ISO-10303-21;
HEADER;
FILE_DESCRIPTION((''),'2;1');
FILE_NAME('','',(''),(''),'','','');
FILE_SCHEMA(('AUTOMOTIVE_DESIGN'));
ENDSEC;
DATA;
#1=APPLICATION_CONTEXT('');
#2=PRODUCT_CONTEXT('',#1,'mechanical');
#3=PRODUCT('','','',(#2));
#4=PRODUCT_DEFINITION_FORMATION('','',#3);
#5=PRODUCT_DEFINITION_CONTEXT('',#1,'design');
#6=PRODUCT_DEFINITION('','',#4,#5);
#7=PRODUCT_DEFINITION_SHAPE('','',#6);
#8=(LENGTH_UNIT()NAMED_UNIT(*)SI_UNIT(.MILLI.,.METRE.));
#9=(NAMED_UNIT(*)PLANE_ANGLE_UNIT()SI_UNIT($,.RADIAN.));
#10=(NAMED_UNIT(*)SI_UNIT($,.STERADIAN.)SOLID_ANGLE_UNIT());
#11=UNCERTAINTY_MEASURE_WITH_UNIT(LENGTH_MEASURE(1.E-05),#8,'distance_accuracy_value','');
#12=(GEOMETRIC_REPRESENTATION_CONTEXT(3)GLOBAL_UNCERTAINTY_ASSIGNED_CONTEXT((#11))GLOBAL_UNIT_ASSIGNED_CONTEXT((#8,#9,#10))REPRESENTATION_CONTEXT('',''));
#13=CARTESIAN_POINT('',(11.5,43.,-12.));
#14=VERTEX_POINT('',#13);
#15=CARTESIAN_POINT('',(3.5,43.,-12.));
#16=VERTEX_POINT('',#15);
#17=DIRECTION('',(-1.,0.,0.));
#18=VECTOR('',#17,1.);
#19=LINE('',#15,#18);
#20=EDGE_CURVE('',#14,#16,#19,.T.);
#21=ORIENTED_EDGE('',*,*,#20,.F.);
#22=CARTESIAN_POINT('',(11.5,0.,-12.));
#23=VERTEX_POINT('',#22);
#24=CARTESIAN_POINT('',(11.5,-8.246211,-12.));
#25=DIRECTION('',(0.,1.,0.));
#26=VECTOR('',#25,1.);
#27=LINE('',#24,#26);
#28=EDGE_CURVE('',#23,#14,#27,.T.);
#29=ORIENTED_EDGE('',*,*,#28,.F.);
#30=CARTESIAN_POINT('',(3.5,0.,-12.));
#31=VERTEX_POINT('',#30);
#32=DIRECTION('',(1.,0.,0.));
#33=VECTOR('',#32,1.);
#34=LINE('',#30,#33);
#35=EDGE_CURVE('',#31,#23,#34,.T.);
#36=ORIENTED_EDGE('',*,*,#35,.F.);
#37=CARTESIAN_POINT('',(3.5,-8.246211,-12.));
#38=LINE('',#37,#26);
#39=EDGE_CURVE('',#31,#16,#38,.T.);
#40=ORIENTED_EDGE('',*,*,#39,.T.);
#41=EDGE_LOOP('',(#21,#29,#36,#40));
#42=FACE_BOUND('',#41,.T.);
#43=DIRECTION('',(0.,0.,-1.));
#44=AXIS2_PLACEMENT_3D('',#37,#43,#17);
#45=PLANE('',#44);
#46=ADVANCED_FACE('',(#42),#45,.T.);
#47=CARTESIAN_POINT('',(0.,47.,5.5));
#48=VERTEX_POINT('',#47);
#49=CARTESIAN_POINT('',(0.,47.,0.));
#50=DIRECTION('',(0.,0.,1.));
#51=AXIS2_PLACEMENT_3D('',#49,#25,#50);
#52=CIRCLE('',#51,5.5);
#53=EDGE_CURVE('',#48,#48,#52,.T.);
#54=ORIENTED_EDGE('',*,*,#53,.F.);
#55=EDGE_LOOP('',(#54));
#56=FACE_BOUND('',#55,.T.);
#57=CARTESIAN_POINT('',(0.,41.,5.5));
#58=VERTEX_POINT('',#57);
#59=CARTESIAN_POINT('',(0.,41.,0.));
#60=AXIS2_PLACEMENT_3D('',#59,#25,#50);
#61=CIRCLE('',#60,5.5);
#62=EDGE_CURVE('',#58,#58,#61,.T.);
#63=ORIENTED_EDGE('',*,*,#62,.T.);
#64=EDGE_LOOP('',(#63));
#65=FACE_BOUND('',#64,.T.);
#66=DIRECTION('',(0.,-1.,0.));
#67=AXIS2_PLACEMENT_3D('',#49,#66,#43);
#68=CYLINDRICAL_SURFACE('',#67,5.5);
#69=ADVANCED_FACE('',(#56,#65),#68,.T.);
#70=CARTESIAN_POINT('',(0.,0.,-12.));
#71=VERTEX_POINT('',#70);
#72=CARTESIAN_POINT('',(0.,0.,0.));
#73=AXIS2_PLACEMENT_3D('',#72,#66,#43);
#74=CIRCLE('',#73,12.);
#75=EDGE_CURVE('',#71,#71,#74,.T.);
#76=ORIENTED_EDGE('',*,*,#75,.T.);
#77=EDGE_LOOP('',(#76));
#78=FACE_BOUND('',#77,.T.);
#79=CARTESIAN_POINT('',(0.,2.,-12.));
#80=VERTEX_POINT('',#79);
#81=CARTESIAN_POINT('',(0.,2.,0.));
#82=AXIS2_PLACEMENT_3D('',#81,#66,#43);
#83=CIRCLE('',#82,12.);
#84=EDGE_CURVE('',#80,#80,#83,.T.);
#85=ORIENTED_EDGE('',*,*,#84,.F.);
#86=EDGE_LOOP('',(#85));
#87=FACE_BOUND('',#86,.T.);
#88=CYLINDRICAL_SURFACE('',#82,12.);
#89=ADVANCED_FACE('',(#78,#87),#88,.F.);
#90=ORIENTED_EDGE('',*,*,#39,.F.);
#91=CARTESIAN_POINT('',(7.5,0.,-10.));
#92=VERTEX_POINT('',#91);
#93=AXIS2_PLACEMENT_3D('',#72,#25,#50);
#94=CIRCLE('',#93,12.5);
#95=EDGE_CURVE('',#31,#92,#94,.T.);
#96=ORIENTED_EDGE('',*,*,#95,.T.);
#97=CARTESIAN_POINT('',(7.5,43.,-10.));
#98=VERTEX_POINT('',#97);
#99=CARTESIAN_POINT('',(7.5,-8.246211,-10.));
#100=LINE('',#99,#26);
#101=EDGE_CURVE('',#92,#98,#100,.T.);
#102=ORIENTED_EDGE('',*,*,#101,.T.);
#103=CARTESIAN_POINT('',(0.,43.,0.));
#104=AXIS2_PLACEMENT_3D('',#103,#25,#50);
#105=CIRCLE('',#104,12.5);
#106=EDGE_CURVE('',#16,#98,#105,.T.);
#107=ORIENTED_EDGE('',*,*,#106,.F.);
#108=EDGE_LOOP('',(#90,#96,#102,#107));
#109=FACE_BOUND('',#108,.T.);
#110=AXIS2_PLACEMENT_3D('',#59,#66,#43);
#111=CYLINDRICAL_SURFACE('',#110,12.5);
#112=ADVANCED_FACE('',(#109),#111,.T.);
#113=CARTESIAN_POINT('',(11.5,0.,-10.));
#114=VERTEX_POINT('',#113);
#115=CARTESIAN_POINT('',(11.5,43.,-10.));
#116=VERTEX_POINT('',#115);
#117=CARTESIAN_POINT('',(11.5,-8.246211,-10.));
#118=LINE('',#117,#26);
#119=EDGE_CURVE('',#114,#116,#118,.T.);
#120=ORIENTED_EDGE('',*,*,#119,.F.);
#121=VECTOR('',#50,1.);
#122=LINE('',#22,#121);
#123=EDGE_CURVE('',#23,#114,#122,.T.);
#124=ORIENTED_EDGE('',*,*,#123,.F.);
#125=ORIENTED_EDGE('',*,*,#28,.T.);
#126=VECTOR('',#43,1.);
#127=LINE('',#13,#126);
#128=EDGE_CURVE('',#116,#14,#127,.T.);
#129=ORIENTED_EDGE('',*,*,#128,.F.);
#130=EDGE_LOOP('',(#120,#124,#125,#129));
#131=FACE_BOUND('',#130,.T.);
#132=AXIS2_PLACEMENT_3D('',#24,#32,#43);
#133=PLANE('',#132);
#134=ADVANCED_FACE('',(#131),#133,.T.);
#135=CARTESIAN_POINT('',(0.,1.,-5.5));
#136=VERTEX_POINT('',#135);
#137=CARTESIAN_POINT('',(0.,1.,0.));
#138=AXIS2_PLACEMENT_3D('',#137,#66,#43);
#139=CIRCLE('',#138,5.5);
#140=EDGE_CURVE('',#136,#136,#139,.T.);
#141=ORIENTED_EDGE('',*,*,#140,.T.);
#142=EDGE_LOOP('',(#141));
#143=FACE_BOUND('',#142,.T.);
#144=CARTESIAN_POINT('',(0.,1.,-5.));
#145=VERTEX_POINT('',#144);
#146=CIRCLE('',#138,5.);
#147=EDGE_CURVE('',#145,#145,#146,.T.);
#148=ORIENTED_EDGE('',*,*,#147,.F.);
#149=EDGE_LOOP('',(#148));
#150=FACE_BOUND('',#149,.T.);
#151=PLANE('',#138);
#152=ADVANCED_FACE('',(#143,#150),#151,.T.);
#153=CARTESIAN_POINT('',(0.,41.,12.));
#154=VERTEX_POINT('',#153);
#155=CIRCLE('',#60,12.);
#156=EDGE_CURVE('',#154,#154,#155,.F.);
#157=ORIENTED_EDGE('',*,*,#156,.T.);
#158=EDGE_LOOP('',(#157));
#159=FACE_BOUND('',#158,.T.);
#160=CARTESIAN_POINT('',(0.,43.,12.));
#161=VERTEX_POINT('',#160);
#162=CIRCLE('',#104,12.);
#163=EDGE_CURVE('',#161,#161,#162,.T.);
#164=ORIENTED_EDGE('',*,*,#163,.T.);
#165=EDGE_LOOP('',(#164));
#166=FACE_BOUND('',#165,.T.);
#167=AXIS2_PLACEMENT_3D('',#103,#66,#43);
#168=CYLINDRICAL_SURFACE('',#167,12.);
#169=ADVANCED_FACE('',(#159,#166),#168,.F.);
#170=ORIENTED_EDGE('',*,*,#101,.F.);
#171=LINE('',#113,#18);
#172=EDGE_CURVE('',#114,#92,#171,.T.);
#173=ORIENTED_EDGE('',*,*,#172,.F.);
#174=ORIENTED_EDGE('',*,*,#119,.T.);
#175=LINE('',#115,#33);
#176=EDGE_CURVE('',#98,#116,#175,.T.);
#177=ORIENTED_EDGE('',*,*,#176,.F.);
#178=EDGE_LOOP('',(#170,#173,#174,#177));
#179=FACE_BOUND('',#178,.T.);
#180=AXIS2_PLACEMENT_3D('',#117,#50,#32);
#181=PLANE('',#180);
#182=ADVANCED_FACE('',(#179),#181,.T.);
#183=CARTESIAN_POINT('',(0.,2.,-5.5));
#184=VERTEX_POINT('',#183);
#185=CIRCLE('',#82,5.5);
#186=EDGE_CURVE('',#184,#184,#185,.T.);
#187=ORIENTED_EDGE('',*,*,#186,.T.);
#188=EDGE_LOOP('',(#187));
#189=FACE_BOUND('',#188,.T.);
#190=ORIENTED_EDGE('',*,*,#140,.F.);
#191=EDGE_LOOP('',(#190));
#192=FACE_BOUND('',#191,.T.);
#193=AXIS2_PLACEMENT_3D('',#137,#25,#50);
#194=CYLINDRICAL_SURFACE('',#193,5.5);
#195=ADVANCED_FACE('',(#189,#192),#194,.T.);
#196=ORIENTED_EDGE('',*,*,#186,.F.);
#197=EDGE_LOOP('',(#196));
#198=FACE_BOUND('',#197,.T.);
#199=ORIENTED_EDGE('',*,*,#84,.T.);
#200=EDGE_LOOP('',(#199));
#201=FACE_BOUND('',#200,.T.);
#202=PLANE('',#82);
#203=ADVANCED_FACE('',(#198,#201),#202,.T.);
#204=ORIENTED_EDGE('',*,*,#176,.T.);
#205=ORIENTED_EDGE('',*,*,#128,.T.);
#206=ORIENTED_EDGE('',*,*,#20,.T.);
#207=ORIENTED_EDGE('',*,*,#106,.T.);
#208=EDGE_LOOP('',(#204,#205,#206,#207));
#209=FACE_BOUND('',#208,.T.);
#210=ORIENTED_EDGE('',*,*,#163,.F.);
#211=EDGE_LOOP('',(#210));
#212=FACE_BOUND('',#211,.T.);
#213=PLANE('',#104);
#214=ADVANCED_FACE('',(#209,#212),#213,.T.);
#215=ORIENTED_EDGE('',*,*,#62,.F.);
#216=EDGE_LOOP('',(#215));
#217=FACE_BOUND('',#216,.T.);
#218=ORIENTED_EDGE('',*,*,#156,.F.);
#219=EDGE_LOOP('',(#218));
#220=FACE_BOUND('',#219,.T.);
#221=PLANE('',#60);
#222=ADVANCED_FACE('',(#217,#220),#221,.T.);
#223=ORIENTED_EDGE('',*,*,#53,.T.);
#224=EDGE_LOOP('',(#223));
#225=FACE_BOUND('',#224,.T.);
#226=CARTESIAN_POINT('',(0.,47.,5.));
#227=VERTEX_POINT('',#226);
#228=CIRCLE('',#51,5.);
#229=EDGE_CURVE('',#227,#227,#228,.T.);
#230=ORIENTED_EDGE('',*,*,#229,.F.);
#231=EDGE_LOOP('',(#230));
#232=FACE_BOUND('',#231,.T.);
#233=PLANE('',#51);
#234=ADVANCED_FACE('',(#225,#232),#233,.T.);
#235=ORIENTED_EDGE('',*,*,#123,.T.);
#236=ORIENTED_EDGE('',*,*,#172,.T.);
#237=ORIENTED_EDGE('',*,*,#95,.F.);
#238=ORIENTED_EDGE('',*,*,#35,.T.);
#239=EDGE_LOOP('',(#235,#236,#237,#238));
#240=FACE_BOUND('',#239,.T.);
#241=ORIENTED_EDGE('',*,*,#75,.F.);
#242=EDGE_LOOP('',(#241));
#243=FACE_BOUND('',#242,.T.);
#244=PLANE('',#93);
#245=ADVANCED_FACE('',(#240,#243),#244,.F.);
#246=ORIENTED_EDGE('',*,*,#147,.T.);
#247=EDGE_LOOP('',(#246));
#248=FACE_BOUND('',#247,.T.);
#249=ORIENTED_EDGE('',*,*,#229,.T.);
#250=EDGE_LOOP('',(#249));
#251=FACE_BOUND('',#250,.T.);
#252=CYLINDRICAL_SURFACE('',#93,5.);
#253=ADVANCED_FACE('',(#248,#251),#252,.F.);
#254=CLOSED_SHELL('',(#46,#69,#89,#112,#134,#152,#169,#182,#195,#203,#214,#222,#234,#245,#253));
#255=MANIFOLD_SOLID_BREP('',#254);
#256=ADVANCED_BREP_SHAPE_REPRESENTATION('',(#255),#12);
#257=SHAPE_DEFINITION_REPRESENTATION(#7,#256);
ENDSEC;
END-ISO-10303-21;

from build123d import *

# Parameters (mm, degrees)
SKETCH1_R         = 12.5
ENCLOSURE_DEPTH   = 41
SKETCH3_R         = 12.5
SKETCH3_R_2       = 12
UPPER_LIP_DEPTH   = 2
SKETCH4_R         = 5.5
UPPER_SHAFT_DEPTH = 6
SKETCH5_R         = 5
CENTRAL_CUT_DEPTH = 51.214539727
SKETCH6_R         = 12
LOWER_LIP_DEPTH   = 2
SKETCH7_R         = 5.5
SKETCH7_R_2       = 5
LOWER_SHAFT_DEPTH = 1
FILM_START        = -43
FILM_LIP_DEPTH    = 43


with BuildPart() as part:
    # Sketch1 → Enclosure (new body)
    with BuildSketch(Plane(origin=(0, 0, 0), x_dir=(1, 0, 0), z_dir=(0, 1, 0))):
        with Locations(Location((0, 0, 0), (0, 0, 270))):
            Circle(SKETCH1_R)
    extrude(amount=ENCLOSURE_DEPTH)

    # Sketch3 → Upper Lip (add)
    with BuildSketch(Plane(origin=(0, 41, 0), x_dir=(1, 0, 0), z_dir=(0, 1, 0))):
        with Locations(Location((0, 0, 0), (0, 0, 270))):
            Circle(SKETCH3_R)
        with Locations(Location((0, 0, 0), (0, 0, 270))):
            Circle(SKETCH3_R_2, mode=Mode.SUBTRACT)
    extrude(amount=UPPER_LIP_DEPTH)

    # Sketch4 → Upper Shaft (add)
    with BuildSketch(Plane(origin=(0, 41, 0), x_dir=(1, 0, 0), z_dir=(0, 1, 0))):
        with Locations(Location((0, 0, 0), (0, 0, 270))):
            Circle(SKETCH4_R)
    extrude(amount=UPPER_SHAFT_DEPTH)

    # Sketch5 → Central Cut (cut, through all)
    with BuildSketch(Plane(origin=(0, 47, 0), x_dir=(1, 0, 0), z_dir=(0, 1, 0))):
        with Locations(Location((0, 0, 0), (0, 0, 270))):
            Circle(SKETCH5_R)
    extrude(amount=-CENTRAL_CUT_DEPTH, mode=Mode.SUBTRACT)

    # Sketch6 → Lower Lip (cut)
    with BuildSketch(Plane.XZ):
        with Locations(Location((0, 0, 0), (0, 0, 90))):
            Circle(SKETCH6_R)
    extrude(amount=-LOWER_LIP_DEPTH, mode=Mode.SUBTRACT)

    # Sketch7 → Lower Shaft (add)
    with BuildSketch(Plane(origin=(0, 2, 0), x_dir=(-1, 0, 0), z_dir=(0, -1, 0))):
        with Locations(Location((0, 0, 0), (0, 0, 270))):
            Circle(SKETCH7_R)
        with Locations(Location((0, 0, 0), (0, 0, 270))):
            Circle(SKETCH7_R_2, mode=Mode.SUBTRACT)
    extrude(amount=LOWER_SHAFT_DEPTH)

    # Sketch8 → Film Lip (add)
    with BuildSketch(Plane(origin=(0, 43, 0), x_dir=(1, 0, 0), z_dir=(0, 1, 0)).offset(FILM_START)):
        with BuildLine():
            Line((3.5, 12), (11.5, 12))
            Line((11.5, 12), (11.5, 10))
            Line((11.5, 10), (7.5, 10))
            ThreePointArc((7.5, 10), (5.590169944, 11.180339887), (3.5, 12))
        make_face()
    extrude(amount=FILM_LIP_DEPTH)


solid = part.part
